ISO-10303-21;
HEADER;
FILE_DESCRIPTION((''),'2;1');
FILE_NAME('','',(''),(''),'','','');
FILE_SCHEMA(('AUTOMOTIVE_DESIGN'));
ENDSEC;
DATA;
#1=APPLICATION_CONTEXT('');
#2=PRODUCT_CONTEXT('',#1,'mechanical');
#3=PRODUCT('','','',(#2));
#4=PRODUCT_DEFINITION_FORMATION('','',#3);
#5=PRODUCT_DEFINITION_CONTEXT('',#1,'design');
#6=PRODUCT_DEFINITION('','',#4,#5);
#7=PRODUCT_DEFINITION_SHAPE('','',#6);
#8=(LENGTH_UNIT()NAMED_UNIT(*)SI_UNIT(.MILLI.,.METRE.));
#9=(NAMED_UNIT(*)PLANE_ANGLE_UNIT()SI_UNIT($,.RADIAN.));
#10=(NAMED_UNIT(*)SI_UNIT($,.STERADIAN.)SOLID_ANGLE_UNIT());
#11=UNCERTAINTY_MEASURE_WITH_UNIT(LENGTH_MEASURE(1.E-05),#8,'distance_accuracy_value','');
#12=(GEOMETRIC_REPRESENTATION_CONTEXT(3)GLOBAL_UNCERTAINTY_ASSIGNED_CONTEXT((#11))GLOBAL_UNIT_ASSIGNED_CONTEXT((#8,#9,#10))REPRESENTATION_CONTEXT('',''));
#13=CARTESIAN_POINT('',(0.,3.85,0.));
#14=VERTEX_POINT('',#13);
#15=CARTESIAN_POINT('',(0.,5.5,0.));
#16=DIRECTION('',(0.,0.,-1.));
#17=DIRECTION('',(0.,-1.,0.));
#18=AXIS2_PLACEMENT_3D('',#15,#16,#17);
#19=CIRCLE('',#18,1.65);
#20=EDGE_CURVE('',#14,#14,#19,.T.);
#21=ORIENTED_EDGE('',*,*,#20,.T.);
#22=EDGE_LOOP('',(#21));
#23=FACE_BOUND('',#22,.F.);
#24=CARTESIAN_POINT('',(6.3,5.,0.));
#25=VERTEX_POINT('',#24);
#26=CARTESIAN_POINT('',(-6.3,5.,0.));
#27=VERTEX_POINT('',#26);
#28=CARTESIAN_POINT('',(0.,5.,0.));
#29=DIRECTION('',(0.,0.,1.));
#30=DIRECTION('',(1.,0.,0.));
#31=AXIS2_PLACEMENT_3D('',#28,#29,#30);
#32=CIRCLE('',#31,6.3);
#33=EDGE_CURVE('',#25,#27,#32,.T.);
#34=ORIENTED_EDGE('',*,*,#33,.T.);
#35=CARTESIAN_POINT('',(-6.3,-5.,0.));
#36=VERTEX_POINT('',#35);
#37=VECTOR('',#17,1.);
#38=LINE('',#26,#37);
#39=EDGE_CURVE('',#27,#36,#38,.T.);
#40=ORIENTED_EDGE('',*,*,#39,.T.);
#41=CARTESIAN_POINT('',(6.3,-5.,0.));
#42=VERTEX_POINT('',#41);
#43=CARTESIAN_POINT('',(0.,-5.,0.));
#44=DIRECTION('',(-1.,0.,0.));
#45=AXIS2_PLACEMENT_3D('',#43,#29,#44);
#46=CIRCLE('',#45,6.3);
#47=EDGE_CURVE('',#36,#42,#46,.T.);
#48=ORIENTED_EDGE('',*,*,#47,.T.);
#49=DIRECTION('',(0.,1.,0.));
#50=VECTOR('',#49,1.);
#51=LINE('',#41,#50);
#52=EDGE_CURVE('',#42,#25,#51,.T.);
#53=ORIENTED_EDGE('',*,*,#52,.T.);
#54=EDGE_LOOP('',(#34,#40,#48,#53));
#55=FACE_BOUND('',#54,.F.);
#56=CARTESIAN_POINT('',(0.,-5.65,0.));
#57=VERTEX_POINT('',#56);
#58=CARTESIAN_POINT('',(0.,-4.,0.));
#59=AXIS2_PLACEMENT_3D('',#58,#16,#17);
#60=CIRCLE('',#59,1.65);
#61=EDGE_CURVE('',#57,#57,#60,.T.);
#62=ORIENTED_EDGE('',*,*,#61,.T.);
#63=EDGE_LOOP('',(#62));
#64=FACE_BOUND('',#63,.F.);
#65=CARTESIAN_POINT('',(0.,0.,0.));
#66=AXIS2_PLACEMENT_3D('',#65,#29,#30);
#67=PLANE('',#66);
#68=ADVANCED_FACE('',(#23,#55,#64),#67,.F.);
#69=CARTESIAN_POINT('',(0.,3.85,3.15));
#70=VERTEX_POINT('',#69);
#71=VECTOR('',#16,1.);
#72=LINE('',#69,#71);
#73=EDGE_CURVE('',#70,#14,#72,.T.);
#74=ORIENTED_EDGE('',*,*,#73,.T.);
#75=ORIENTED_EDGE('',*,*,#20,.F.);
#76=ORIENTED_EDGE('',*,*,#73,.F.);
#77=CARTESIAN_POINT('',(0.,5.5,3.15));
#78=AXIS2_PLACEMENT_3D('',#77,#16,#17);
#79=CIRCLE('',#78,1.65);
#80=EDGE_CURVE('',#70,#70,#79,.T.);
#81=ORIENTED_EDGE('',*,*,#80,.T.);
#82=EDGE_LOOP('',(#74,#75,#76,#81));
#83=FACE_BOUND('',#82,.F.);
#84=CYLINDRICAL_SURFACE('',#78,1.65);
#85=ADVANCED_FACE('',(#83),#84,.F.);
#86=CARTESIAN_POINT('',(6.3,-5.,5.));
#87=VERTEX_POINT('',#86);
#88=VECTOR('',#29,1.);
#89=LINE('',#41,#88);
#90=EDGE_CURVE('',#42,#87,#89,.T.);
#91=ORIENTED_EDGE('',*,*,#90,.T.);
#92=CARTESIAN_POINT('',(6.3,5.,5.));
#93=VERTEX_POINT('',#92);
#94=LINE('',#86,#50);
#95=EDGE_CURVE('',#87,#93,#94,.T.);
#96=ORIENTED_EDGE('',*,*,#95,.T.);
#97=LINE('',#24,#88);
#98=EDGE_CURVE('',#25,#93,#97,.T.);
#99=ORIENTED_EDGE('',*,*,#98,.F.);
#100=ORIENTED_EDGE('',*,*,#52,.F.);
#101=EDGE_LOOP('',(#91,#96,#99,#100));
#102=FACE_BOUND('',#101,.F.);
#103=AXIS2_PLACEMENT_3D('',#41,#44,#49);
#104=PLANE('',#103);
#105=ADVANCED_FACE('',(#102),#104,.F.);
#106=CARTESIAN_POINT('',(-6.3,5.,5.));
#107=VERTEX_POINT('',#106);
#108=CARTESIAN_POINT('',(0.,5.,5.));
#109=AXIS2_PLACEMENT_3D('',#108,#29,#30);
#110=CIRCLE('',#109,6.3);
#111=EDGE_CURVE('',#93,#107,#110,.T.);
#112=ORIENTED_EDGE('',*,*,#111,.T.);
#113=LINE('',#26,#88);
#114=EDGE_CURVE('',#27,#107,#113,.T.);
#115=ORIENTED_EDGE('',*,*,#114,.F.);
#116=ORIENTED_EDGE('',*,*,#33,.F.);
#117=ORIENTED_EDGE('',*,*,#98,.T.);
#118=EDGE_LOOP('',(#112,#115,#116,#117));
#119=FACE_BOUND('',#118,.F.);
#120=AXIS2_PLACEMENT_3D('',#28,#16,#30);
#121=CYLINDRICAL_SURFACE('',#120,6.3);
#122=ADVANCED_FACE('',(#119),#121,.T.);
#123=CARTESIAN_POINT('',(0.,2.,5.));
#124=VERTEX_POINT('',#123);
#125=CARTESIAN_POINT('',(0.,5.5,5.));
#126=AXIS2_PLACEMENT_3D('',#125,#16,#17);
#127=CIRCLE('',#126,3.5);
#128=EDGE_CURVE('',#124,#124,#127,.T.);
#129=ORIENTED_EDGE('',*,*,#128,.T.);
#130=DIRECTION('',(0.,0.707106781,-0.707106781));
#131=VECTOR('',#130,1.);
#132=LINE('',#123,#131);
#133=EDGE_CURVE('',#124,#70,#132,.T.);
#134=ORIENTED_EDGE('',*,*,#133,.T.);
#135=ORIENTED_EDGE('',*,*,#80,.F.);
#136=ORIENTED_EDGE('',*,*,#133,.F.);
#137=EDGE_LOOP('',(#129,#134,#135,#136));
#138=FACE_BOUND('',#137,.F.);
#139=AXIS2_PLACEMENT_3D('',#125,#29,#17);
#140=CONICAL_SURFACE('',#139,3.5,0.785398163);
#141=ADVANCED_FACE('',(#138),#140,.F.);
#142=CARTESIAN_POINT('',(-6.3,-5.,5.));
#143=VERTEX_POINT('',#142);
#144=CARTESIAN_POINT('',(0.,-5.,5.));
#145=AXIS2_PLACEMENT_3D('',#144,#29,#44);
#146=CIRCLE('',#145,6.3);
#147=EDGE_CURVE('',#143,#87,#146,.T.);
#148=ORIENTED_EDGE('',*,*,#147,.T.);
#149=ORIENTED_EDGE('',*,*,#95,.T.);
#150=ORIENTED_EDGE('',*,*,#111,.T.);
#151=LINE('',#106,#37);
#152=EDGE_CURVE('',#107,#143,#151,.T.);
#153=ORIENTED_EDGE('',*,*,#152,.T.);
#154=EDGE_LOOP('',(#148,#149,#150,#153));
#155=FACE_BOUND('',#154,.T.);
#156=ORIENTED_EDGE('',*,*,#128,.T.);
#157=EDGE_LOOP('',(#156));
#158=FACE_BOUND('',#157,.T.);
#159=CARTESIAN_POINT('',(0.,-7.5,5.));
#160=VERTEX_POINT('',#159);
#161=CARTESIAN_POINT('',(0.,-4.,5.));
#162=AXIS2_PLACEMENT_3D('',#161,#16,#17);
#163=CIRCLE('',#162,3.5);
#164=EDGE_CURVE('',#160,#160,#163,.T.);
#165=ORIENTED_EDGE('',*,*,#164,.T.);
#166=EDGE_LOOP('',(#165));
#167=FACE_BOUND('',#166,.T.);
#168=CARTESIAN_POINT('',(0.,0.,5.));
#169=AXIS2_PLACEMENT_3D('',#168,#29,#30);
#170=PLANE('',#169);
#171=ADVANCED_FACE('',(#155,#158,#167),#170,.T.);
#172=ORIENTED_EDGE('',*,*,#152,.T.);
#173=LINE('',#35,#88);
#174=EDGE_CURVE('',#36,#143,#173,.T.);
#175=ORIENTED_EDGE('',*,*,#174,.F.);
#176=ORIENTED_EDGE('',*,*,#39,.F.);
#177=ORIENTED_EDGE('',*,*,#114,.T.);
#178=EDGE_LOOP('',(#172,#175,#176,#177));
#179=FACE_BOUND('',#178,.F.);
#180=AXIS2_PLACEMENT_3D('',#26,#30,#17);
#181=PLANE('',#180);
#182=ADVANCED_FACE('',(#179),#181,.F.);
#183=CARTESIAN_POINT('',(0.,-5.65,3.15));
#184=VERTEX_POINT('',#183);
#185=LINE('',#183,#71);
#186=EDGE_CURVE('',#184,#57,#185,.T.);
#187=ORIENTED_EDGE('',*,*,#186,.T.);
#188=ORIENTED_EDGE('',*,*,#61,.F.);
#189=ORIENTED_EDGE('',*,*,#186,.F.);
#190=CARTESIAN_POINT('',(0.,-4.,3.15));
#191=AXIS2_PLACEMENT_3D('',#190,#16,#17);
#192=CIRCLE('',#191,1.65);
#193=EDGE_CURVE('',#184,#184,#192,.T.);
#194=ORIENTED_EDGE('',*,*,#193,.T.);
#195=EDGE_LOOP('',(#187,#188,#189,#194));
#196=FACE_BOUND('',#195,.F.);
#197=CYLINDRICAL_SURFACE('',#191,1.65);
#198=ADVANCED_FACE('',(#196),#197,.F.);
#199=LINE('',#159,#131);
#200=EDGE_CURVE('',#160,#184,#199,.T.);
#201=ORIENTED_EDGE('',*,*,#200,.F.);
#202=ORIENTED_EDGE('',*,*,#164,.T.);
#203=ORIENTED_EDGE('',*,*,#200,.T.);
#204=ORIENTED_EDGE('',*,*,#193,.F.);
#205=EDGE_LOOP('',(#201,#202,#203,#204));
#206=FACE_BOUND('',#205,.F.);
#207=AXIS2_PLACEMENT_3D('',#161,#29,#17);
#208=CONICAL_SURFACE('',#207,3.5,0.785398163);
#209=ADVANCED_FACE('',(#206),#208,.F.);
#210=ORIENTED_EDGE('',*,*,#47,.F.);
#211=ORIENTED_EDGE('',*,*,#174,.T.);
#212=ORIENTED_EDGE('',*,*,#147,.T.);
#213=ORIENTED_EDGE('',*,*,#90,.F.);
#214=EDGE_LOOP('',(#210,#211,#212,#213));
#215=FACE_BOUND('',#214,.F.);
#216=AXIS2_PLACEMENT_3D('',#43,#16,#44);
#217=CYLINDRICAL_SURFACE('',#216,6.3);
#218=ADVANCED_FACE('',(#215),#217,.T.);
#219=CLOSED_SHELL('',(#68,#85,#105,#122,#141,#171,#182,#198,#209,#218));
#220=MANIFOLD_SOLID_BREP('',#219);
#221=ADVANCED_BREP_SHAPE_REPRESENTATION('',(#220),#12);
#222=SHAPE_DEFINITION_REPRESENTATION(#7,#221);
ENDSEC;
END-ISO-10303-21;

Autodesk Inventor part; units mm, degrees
ref_plane "YZ Plane" through (0, 0, 0) normal (1, 0, 0) x (0, 1, 0)
ref_plane "XZ Plane" through (0, 0, 0) normal (0, 1, 0) x (-1, 0, 0)
ref_plane "XY Plane" through (0, 0, 0) normal (0, 0, 1) x (1, 0, 0)
sketch "Skizze1" plane through (0, 0, 0) normal (0, 0, 1) x (1, 0, 0)
  line L0 (0, -5) -> (0, 5) construction
  line L1 (6.3, -5) -> (6.3, 5)
  line L2 (-6.3, 5) -> (-6.3, -5)
  arc A0 (-6.3, -5) -> (6.3, -5) centre (0, -5) ccw
  arc A1 (6.3, 5) -> (-6.3, 5) centre (0, 5) ccw
  point P0 (0, 0)
  dimension "d0" = 12.6
  dimension "d1" = 10
extrude "Extrusion1" add sketch "Skizze1" along normal blind 5
sketch "Skizze2" plane through (0, 0, 5) normal (0, 0, 1) x (1, 0, 0)
  arc A0 (6.3, 5) -> (-6.3, 5) centre (0, 5) ccw projected
  arc A1 (-6.3, -5) -> (6.3, -5) centre (0, -5) ccw projected
  line L0 (0, 5.5) -> (0, -4) construction
  point P0 (0, 0)
  dimension "d11" = 9.5
  dimension "d13" = 1
hole "Bohrung1" at (0, 5.5, 5) at (0, -4, 5) direction (0, 0, -1) diameter 3.3 end through all countersink diameter 7 countersink angle 90
properties part number "Dribbler Slider" material "Gummi, Silikon"
